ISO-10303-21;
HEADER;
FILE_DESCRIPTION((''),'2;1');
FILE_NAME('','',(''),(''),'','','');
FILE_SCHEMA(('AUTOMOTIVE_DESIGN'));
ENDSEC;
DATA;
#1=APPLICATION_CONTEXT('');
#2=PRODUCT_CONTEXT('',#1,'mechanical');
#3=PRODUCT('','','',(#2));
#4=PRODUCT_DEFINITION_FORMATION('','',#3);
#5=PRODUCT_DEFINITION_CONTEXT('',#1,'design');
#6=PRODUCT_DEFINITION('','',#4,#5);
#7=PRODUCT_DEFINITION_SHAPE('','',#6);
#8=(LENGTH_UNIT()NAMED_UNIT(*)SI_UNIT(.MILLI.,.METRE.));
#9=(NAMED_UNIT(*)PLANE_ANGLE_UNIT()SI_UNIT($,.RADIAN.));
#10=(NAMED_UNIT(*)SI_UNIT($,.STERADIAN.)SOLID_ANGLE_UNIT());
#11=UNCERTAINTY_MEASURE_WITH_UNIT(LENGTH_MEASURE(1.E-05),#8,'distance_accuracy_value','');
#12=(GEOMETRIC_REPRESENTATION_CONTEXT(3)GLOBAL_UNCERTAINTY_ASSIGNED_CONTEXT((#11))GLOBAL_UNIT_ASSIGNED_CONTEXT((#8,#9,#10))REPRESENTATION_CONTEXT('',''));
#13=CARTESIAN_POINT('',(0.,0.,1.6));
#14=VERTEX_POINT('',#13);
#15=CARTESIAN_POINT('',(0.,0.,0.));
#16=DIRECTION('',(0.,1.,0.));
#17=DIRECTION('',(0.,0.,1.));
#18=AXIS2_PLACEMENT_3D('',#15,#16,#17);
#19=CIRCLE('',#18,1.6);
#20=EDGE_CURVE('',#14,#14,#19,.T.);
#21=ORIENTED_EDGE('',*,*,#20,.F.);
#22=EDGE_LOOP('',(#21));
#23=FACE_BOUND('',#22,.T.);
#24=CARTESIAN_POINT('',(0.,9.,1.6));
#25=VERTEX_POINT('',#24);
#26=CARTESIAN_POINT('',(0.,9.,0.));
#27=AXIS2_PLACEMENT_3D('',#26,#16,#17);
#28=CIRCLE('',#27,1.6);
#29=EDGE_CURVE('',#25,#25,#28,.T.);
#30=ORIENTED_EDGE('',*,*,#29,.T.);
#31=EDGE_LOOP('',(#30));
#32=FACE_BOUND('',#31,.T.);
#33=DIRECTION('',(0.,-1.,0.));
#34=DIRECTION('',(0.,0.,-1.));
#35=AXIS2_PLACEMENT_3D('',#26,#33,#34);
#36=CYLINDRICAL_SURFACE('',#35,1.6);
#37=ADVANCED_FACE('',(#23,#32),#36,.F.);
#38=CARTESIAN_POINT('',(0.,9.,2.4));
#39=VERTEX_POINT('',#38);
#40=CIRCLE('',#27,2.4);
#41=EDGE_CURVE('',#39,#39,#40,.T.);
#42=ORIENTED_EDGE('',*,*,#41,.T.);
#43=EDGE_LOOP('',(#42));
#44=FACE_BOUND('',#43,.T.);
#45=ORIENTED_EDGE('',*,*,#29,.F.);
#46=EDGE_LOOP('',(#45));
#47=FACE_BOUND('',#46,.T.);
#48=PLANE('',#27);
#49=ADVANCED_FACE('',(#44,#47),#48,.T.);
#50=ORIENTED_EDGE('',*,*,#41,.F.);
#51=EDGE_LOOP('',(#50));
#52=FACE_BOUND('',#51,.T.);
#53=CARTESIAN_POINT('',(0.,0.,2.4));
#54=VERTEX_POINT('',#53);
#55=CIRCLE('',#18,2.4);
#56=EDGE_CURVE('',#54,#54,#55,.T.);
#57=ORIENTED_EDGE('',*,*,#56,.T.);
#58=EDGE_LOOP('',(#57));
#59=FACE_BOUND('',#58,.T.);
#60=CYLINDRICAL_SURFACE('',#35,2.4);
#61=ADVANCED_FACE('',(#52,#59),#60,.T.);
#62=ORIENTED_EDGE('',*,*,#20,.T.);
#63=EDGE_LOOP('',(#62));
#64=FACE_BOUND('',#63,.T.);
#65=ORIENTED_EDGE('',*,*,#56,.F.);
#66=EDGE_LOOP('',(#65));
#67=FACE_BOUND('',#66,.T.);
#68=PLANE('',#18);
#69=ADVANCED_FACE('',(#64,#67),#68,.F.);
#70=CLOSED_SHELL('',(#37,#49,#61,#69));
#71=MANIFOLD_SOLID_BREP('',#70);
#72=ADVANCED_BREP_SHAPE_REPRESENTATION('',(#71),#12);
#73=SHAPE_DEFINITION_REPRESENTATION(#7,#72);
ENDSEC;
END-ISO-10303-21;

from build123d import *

# Parameters (mm, degrees)
SKETCH_1_R      = 2.4
SKETCH_1_R_2    = 1.6
EXTRUDE_1_DEPTH = 9


with BuildPart() as part:
    # Эскиз1 → Бобышка-Вытянуть1 (new body)
    with BuildSketch(Plane(origin=(0, 0, 0), x_dir=(1, 0, 0), z_dir=(0, 1, 0))):
        with Locations(Location((0, 0, 0), (0, 0, 270))):
            Circle(SKETCH_1_R)
        with Locations(Location((0, 0, 0), (0, 0, 270))):
            Circle(SKETCH_1_R_2, mode=Mode.SUBTRACT)
    extrude(amount=EXTRUDE_1_DEPTH)


solid = part.part
